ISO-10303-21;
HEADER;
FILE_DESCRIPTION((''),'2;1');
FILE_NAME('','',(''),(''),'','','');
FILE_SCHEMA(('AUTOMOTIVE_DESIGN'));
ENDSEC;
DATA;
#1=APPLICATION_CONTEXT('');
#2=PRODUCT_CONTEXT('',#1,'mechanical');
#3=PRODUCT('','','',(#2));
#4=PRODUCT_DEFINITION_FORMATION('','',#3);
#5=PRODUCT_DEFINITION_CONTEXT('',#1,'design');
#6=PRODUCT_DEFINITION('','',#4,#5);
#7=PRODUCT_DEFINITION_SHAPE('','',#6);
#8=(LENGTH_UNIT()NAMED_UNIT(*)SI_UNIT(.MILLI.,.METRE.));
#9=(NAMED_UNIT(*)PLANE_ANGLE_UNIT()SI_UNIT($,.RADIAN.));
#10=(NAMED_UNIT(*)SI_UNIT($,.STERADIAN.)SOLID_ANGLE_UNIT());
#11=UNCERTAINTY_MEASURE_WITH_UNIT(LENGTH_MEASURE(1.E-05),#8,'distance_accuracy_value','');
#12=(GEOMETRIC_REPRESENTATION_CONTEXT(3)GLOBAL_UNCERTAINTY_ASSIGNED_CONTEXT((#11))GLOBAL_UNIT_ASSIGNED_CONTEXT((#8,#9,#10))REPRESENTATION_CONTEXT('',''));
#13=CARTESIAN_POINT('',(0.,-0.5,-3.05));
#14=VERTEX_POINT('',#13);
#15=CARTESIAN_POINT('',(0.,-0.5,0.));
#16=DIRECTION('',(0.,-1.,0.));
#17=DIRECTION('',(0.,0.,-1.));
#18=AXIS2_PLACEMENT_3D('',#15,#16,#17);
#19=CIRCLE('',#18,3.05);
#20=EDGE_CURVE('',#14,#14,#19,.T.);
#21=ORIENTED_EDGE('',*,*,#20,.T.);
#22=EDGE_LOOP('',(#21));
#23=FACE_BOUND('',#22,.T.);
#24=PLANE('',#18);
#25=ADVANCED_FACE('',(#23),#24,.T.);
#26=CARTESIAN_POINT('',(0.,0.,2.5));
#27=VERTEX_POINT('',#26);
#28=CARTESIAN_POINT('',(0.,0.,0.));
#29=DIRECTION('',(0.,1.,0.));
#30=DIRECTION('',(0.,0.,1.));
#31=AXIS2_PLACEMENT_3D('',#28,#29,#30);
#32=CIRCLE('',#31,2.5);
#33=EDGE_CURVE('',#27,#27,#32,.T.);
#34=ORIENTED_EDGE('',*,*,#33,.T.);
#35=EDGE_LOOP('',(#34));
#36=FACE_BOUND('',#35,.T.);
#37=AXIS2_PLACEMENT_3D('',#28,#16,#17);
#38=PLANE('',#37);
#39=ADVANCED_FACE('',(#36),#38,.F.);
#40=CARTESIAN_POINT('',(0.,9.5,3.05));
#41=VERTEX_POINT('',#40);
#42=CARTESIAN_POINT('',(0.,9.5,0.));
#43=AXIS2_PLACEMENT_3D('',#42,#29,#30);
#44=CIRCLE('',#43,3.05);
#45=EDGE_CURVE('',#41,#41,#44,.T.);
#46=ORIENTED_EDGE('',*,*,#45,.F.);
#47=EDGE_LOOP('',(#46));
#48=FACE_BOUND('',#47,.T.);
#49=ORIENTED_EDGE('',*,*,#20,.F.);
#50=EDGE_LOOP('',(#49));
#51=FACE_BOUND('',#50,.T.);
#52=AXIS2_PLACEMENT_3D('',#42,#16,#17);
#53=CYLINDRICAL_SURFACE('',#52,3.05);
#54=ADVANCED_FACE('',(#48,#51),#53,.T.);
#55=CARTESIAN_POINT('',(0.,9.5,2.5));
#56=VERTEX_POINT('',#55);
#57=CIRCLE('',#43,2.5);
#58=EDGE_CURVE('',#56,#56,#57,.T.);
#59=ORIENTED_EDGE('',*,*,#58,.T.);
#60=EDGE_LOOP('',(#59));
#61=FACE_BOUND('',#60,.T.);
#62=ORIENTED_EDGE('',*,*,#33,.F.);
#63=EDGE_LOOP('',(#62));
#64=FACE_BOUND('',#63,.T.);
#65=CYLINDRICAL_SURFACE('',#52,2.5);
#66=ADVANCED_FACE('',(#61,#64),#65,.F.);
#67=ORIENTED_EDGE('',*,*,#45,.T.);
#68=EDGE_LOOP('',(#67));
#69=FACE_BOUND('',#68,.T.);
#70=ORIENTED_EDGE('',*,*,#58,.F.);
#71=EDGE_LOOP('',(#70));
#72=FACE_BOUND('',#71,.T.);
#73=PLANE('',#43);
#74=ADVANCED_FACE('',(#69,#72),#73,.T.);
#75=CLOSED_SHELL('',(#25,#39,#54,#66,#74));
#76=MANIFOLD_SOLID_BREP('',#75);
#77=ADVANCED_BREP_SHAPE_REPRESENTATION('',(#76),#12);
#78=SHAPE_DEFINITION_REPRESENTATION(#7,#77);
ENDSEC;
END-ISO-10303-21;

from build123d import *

# Parameters (mm, degrees)
SKETCH1_R           = 3.05
SKETCH1_R_2         = 2.5
BOSS_EXTRUDE1_DEPTH = 9.5
BOSS_EXTRUDE2_START = 0.5
SKETCH2_R           = 3.05
BOSS_EXTRUDE2_DEPTH = 0.5


with BuildPart() as part:
    # Sketch1 → Boss-Extrude1 (new body)
    with BuildSketch(Plane(origin=(0, 0, 0), x_dir=(1, 0, 0), z_dir=(0, 1, 0))):
        with Locations(Location((0, 0, 0), (0, 0, 270))):
            Circle(SKETCH1_R)
        with Locations(Location((0, 0, 0), (0, 0, 270))):
            Circle(SKETCH1_R_2, mode=Mode.SUBTRACT)
    extrude(amount=BOSS_EXTRUDE1_DEPTH)

    # Sketch2 → Boss-Extrude2 (add)
    with BuildSketch(Plane.XZ.offset(BOSS_EXTRUDE2_START)):
        with Locations(Location((0, 0, 0), (0, 0, 270))):
            Circle(SKETCH2_R)
    extrude(amount=-BOSS_EXTRUDE2_DEPTH)


solid = part.part
